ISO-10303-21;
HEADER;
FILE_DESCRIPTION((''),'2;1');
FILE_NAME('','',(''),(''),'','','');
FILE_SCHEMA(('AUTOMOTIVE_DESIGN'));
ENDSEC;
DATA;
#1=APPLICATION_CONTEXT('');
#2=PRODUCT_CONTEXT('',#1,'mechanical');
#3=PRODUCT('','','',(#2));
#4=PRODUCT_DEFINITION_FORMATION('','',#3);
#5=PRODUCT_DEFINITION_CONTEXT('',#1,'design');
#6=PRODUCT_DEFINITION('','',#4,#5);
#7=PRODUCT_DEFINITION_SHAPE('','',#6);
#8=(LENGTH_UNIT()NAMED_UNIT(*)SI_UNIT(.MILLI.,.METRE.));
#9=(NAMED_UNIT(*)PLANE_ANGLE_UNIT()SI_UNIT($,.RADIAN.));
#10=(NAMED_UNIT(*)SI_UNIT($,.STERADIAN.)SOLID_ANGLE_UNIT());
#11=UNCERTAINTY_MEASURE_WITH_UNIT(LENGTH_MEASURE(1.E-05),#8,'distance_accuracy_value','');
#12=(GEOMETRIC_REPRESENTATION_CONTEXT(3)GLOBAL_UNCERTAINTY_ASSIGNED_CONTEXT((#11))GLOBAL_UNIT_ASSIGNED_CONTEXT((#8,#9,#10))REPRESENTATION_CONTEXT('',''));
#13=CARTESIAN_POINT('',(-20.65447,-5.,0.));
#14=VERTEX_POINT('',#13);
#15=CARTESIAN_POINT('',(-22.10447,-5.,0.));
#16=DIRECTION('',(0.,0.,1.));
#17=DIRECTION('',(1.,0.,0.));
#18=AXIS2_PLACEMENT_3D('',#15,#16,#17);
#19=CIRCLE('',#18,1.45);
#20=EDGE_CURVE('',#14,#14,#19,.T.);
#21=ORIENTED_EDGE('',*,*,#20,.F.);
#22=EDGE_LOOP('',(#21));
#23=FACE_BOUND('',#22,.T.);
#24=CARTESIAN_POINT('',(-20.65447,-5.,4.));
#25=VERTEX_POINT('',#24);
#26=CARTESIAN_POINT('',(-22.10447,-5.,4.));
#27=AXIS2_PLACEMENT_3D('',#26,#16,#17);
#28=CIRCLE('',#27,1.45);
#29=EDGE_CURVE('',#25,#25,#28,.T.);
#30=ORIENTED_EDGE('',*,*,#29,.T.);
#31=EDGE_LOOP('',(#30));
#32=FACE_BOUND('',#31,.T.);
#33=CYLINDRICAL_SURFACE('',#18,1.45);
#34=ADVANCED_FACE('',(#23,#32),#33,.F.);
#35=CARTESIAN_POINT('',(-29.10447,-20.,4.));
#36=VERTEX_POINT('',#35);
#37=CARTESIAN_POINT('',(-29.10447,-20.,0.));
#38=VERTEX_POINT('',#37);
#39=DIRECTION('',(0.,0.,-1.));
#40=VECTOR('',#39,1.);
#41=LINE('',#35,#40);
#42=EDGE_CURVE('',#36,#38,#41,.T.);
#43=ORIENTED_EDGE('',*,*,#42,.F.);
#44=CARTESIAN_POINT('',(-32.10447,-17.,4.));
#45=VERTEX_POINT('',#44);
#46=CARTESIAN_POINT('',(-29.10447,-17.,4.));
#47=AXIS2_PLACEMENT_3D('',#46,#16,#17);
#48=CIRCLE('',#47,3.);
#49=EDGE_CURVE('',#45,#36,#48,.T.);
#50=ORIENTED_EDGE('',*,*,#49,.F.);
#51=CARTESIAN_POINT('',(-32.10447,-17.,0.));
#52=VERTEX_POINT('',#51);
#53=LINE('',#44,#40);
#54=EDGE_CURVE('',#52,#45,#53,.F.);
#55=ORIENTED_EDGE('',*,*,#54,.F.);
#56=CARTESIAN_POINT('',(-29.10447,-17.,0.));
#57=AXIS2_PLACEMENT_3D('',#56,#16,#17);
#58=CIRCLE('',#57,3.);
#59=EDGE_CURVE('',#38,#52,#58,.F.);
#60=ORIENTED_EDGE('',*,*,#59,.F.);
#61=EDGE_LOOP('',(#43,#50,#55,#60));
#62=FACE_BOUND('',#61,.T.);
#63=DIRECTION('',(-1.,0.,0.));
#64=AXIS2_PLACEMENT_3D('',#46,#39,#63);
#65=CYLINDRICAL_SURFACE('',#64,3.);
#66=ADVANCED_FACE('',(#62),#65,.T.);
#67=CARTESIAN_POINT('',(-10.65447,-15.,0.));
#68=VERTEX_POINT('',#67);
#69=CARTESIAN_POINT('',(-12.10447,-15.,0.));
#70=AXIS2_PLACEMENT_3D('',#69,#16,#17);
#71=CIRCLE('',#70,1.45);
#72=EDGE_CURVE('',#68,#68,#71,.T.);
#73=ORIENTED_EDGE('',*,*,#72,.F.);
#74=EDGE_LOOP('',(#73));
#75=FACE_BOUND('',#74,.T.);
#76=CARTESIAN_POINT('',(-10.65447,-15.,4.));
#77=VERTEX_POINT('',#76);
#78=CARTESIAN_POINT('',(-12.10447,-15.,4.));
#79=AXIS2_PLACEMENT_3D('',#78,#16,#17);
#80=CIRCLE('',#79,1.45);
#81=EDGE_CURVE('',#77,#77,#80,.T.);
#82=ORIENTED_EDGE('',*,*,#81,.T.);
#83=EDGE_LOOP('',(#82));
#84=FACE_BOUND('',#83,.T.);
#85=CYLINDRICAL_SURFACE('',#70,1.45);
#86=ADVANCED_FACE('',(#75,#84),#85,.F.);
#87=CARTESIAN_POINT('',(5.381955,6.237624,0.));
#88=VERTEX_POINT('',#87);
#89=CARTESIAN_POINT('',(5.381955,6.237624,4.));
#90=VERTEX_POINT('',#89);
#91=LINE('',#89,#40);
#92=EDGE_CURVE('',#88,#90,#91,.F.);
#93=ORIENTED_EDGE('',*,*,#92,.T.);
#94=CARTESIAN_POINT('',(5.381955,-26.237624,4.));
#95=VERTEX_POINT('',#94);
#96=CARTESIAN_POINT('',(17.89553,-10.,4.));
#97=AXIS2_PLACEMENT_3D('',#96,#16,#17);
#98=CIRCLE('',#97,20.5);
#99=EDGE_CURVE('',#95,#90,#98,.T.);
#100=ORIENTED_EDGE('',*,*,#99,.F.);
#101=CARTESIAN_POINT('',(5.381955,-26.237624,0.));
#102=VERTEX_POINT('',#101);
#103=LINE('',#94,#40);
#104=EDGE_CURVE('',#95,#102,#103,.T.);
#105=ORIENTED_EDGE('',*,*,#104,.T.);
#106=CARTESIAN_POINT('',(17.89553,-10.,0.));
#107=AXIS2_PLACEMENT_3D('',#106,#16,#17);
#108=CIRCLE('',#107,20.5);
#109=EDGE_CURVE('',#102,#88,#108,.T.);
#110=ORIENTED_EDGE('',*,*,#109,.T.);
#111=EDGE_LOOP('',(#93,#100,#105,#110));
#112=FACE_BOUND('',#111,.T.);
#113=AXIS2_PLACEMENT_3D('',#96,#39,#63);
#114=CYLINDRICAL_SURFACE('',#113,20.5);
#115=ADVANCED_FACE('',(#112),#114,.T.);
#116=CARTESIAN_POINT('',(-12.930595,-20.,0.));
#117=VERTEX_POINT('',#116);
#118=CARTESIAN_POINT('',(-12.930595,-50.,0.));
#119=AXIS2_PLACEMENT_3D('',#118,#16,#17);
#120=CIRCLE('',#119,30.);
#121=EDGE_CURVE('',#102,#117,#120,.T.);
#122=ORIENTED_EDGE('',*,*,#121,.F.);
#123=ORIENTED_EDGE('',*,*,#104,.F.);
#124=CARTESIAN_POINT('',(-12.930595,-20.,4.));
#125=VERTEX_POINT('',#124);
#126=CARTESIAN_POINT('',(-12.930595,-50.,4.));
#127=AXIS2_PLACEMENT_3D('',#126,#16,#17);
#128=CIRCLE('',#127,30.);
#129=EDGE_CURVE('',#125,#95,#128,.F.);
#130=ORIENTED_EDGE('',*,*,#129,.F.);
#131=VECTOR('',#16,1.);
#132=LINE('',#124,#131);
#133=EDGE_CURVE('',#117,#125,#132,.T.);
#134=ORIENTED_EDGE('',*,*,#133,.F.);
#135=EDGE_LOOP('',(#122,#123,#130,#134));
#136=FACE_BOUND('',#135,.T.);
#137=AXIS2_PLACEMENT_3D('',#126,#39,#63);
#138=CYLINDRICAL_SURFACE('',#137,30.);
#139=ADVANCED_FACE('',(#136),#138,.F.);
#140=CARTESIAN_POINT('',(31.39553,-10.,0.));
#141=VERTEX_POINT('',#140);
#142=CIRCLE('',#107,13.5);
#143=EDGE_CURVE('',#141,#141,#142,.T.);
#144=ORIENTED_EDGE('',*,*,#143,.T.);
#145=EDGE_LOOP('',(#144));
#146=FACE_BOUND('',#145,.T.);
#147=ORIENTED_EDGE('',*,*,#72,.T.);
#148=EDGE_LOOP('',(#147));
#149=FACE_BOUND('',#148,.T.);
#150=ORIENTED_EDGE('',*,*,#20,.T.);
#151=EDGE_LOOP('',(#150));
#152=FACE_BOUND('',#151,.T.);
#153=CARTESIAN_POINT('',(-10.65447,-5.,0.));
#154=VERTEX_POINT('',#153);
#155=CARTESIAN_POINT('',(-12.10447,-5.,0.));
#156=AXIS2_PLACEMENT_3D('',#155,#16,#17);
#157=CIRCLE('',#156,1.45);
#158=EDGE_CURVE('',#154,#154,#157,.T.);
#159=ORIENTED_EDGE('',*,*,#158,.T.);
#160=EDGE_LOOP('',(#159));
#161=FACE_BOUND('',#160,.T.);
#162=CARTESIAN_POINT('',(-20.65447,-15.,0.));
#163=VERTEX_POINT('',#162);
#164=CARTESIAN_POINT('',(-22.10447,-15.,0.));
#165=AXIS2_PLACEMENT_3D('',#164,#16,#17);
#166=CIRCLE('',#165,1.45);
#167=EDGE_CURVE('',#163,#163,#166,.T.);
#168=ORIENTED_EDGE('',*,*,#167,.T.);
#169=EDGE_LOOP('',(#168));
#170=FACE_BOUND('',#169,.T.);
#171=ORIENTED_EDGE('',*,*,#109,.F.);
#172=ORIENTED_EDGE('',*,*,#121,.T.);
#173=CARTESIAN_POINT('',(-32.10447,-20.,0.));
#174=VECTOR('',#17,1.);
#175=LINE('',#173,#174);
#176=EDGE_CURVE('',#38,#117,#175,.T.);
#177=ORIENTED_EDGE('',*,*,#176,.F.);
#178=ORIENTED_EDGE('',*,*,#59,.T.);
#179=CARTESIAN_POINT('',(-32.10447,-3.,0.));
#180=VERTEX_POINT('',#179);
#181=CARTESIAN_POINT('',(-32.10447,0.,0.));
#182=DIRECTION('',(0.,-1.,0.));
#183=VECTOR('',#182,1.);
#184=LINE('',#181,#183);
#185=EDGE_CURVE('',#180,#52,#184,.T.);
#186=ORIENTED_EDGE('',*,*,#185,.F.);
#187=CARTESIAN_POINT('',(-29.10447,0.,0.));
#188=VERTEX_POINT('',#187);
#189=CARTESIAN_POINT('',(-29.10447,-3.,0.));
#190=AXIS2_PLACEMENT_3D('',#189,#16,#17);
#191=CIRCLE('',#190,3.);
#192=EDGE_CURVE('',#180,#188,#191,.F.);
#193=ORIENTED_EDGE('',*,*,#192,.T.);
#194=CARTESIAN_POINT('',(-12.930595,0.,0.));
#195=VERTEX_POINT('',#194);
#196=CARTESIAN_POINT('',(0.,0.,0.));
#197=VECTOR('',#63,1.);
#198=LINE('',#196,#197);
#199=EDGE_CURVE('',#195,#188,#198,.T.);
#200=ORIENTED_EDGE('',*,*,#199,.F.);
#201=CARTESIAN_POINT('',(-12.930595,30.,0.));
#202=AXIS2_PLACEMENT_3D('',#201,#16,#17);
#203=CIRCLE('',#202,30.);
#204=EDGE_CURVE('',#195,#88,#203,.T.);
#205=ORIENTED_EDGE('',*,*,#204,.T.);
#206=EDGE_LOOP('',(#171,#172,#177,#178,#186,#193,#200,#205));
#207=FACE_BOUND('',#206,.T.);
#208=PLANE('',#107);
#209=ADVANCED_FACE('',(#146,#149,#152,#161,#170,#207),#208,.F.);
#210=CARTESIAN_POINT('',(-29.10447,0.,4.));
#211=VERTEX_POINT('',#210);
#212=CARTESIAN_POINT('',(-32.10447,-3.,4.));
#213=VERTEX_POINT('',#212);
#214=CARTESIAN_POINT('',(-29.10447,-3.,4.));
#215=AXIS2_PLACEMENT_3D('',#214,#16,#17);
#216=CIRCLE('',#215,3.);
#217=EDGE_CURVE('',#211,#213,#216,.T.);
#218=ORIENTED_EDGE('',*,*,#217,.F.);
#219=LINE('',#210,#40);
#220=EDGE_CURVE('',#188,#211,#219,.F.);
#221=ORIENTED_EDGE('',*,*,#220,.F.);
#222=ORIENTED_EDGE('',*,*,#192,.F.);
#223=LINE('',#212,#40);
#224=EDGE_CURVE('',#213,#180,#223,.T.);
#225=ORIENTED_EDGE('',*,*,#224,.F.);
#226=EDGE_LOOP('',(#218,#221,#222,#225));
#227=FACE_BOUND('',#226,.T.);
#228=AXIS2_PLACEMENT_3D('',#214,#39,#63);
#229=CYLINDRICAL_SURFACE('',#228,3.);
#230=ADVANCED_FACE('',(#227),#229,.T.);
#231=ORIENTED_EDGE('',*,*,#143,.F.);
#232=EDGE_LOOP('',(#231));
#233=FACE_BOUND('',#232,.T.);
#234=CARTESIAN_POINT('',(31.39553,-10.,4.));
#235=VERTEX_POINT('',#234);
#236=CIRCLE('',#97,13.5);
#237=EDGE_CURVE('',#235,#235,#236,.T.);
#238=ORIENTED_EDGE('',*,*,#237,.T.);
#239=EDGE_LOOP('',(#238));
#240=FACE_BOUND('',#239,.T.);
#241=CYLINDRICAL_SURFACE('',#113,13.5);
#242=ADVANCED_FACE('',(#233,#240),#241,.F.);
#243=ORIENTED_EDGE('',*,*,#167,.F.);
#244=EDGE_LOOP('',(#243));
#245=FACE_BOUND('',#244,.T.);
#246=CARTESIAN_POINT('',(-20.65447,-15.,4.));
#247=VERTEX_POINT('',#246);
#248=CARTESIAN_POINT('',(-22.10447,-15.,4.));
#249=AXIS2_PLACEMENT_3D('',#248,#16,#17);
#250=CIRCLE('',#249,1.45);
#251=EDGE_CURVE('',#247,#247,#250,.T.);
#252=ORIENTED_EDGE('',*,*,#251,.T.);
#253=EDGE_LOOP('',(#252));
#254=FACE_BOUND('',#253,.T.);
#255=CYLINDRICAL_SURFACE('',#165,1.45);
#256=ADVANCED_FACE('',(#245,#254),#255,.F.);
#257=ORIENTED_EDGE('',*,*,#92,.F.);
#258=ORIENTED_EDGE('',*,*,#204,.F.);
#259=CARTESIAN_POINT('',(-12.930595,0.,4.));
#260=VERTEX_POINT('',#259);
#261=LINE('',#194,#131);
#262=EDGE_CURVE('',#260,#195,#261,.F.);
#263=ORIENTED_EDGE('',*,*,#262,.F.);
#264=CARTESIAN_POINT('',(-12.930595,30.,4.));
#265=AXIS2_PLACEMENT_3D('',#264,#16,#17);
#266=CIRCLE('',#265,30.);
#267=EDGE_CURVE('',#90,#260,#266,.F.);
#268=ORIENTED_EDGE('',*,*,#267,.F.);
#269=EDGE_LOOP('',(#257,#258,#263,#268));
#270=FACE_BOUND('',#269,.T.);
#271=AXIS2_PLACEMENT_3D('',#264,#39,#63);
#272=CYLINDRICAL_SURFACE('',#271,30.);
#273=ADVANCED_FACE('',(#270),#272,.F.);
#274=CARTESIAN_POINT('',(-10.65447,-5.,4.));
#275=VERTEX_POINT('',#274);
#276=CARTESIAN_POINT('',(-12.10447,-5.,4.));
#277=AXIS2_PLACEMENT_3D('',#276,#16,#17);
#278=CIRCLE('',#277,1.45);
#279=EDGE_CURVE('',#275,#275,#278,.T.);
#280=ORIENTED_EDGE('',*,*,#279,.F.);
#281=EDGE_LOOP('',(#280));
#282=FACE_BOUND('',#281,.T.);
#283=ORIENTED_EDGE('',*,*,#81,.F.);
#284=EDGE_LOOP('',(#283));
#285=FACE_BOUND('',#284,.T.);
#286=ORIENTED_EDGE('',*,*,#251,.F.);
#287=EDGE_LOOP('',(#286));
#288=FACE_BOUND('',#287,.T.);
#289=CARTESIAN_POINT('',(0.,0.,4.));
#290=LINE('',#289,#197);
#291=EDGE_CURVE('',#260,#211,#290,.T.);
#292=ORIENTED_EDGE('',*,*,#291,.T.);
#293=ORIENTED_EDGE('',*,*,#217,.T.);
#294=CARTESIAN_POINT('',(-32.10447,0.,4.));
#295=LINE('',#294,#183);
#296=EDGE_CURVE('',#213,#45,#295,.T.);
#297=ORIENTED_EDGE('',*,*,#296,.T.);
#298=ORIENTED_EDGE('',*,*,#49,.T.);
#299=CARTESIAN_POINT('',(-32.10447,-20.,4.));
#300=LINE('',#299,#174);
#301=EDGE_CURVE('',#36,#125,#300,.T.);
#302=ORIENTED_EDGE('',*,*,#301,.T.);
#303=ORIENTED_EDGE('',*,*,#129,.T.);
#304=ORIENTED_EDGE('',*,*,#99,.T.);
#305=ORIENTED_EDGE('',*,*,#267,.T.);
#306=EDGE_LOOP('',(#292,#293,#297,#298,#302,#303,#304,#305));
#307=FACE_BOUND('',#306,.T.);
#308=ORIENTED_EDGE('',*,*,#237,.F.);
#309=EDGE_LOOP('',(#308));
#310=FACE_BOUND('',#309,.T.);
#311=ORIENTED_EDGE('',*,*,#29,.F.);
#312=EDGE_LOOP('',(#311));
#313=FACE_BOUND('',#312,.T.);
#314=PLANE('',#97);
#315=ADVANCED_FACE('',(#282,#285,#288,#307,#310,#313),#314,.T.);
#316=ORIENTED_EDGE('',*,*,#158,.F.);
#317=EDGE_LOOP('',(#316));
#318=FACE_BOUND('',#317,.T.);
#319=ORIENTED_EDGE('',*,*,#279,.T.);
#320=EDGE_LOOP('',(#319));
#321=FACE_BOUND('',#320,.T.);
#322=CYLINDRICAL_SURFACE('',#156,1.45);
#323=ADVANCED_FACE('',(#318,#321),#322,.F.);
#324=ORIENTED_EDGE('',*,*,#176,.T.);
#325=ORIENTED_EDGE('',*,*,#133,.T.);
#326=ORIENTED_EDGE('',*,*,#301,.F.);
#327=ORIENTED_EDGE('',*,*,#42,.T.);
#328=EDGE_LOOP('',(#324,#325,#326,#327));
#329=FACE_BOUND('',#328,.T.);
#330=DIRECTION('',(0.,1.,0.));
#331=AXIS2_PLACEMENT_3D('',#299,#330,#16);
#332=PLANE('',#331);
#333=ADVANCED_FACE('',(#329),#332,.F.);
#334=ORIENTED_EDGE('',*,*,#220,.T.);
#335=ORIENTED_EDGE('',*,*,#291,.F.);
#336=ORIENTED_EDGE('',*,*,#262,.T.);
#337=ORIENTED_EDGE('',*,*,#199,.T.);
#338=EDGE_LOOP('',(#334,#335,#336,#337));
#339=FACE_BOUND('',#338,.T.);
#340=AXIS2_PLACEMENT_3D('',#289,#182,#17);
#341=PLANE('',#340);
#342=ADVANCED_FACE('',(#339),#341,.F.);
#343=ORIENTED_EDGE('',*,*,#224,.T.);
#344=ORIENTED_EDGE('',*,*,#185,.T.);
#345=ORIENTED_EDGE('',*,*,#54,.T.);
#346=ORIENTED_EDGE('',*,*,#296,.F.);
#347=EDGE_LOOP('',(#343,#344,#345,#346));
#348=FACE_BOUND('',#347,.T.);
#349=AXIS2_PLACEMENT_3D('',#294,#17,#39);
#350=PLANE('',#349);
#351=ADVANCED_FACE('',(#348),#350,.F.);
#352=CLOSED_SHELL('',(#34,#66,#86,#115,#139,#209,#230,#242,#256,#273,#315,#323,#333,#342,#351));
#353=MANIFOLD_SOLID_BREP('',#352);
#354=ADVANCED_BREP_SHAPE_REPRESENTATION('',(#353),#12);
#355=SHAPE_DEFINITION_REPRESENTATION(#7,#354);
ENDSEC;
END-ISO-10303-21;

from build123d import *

# Parameters (mm, degrees)
SKETCH_1_R          = 13.5
EXTRUDE_1_DEPTH     = 4
SKETCH_2_R          = 1.45
CUT_EXTRUDE_1_DEPTH = 50.198239165
FILLET_1_R          = 30
FILLET_2_R          = 3


with BuildPart() as part:
    # 草图1 → 凸台-拉伸1 (new body)
    with BuildSketch(Plane.XY):
        with BuildLine():
            Line((0, 0), (-32.104469832, 0))
            Line((-32.104469832, 0), (-32.104469832, -20))
            Line((-32.104469832, -20), (0, -20))
            ThreePointArc((0, -20), (38.395530168, -10), (0, 0))
        make_face()
        with Locations((17.895530168, -10)):
            Circle(SKETCH_1_R, mode=Mode.SUBTRACT)
    extrude(amount=EXTRUDE_1_DEPTH)

    # 草图2 → 切除-拉伸1 (cut, through all)
    with BuildSketch(Plane.XY.offset(4)):
        with Locations((-22.104469832, -5)):
            Circle(SKETCH_2_R)
        with Locations((-12.104469832, -5)):
            Circle(SKETCH_2_R)
        with Locations((-12.104469832, -15)):
            Circle(SKETCH_2_R)
        with Locations((-22.104469832, -15)):
            Circle(SKETCH_2_R)
    extrude(amount=-CUT_EXTRUDE_1_DEPTH, mode=Mode.SUBTRACT)

    # 圆角1
    fillet_1_edges = [part.edges().sort_by_distance(p)[0] for p in [
        (0, -20, 2),
        (0, 0, 2),
    ]]
    fillet(fillet_1_edges, radius=FILLET_1_R)

    # 圆角2
    fillet_2_edges = [part.edges().sort_by_distance(p)[0] for p in [
        (-32.104469832, -20, 2),
        (-32.104469832, 0, 2),
    ]]
    fillet(fillet_2_edges, radius=FILLET_2_R)


solid = part.part
